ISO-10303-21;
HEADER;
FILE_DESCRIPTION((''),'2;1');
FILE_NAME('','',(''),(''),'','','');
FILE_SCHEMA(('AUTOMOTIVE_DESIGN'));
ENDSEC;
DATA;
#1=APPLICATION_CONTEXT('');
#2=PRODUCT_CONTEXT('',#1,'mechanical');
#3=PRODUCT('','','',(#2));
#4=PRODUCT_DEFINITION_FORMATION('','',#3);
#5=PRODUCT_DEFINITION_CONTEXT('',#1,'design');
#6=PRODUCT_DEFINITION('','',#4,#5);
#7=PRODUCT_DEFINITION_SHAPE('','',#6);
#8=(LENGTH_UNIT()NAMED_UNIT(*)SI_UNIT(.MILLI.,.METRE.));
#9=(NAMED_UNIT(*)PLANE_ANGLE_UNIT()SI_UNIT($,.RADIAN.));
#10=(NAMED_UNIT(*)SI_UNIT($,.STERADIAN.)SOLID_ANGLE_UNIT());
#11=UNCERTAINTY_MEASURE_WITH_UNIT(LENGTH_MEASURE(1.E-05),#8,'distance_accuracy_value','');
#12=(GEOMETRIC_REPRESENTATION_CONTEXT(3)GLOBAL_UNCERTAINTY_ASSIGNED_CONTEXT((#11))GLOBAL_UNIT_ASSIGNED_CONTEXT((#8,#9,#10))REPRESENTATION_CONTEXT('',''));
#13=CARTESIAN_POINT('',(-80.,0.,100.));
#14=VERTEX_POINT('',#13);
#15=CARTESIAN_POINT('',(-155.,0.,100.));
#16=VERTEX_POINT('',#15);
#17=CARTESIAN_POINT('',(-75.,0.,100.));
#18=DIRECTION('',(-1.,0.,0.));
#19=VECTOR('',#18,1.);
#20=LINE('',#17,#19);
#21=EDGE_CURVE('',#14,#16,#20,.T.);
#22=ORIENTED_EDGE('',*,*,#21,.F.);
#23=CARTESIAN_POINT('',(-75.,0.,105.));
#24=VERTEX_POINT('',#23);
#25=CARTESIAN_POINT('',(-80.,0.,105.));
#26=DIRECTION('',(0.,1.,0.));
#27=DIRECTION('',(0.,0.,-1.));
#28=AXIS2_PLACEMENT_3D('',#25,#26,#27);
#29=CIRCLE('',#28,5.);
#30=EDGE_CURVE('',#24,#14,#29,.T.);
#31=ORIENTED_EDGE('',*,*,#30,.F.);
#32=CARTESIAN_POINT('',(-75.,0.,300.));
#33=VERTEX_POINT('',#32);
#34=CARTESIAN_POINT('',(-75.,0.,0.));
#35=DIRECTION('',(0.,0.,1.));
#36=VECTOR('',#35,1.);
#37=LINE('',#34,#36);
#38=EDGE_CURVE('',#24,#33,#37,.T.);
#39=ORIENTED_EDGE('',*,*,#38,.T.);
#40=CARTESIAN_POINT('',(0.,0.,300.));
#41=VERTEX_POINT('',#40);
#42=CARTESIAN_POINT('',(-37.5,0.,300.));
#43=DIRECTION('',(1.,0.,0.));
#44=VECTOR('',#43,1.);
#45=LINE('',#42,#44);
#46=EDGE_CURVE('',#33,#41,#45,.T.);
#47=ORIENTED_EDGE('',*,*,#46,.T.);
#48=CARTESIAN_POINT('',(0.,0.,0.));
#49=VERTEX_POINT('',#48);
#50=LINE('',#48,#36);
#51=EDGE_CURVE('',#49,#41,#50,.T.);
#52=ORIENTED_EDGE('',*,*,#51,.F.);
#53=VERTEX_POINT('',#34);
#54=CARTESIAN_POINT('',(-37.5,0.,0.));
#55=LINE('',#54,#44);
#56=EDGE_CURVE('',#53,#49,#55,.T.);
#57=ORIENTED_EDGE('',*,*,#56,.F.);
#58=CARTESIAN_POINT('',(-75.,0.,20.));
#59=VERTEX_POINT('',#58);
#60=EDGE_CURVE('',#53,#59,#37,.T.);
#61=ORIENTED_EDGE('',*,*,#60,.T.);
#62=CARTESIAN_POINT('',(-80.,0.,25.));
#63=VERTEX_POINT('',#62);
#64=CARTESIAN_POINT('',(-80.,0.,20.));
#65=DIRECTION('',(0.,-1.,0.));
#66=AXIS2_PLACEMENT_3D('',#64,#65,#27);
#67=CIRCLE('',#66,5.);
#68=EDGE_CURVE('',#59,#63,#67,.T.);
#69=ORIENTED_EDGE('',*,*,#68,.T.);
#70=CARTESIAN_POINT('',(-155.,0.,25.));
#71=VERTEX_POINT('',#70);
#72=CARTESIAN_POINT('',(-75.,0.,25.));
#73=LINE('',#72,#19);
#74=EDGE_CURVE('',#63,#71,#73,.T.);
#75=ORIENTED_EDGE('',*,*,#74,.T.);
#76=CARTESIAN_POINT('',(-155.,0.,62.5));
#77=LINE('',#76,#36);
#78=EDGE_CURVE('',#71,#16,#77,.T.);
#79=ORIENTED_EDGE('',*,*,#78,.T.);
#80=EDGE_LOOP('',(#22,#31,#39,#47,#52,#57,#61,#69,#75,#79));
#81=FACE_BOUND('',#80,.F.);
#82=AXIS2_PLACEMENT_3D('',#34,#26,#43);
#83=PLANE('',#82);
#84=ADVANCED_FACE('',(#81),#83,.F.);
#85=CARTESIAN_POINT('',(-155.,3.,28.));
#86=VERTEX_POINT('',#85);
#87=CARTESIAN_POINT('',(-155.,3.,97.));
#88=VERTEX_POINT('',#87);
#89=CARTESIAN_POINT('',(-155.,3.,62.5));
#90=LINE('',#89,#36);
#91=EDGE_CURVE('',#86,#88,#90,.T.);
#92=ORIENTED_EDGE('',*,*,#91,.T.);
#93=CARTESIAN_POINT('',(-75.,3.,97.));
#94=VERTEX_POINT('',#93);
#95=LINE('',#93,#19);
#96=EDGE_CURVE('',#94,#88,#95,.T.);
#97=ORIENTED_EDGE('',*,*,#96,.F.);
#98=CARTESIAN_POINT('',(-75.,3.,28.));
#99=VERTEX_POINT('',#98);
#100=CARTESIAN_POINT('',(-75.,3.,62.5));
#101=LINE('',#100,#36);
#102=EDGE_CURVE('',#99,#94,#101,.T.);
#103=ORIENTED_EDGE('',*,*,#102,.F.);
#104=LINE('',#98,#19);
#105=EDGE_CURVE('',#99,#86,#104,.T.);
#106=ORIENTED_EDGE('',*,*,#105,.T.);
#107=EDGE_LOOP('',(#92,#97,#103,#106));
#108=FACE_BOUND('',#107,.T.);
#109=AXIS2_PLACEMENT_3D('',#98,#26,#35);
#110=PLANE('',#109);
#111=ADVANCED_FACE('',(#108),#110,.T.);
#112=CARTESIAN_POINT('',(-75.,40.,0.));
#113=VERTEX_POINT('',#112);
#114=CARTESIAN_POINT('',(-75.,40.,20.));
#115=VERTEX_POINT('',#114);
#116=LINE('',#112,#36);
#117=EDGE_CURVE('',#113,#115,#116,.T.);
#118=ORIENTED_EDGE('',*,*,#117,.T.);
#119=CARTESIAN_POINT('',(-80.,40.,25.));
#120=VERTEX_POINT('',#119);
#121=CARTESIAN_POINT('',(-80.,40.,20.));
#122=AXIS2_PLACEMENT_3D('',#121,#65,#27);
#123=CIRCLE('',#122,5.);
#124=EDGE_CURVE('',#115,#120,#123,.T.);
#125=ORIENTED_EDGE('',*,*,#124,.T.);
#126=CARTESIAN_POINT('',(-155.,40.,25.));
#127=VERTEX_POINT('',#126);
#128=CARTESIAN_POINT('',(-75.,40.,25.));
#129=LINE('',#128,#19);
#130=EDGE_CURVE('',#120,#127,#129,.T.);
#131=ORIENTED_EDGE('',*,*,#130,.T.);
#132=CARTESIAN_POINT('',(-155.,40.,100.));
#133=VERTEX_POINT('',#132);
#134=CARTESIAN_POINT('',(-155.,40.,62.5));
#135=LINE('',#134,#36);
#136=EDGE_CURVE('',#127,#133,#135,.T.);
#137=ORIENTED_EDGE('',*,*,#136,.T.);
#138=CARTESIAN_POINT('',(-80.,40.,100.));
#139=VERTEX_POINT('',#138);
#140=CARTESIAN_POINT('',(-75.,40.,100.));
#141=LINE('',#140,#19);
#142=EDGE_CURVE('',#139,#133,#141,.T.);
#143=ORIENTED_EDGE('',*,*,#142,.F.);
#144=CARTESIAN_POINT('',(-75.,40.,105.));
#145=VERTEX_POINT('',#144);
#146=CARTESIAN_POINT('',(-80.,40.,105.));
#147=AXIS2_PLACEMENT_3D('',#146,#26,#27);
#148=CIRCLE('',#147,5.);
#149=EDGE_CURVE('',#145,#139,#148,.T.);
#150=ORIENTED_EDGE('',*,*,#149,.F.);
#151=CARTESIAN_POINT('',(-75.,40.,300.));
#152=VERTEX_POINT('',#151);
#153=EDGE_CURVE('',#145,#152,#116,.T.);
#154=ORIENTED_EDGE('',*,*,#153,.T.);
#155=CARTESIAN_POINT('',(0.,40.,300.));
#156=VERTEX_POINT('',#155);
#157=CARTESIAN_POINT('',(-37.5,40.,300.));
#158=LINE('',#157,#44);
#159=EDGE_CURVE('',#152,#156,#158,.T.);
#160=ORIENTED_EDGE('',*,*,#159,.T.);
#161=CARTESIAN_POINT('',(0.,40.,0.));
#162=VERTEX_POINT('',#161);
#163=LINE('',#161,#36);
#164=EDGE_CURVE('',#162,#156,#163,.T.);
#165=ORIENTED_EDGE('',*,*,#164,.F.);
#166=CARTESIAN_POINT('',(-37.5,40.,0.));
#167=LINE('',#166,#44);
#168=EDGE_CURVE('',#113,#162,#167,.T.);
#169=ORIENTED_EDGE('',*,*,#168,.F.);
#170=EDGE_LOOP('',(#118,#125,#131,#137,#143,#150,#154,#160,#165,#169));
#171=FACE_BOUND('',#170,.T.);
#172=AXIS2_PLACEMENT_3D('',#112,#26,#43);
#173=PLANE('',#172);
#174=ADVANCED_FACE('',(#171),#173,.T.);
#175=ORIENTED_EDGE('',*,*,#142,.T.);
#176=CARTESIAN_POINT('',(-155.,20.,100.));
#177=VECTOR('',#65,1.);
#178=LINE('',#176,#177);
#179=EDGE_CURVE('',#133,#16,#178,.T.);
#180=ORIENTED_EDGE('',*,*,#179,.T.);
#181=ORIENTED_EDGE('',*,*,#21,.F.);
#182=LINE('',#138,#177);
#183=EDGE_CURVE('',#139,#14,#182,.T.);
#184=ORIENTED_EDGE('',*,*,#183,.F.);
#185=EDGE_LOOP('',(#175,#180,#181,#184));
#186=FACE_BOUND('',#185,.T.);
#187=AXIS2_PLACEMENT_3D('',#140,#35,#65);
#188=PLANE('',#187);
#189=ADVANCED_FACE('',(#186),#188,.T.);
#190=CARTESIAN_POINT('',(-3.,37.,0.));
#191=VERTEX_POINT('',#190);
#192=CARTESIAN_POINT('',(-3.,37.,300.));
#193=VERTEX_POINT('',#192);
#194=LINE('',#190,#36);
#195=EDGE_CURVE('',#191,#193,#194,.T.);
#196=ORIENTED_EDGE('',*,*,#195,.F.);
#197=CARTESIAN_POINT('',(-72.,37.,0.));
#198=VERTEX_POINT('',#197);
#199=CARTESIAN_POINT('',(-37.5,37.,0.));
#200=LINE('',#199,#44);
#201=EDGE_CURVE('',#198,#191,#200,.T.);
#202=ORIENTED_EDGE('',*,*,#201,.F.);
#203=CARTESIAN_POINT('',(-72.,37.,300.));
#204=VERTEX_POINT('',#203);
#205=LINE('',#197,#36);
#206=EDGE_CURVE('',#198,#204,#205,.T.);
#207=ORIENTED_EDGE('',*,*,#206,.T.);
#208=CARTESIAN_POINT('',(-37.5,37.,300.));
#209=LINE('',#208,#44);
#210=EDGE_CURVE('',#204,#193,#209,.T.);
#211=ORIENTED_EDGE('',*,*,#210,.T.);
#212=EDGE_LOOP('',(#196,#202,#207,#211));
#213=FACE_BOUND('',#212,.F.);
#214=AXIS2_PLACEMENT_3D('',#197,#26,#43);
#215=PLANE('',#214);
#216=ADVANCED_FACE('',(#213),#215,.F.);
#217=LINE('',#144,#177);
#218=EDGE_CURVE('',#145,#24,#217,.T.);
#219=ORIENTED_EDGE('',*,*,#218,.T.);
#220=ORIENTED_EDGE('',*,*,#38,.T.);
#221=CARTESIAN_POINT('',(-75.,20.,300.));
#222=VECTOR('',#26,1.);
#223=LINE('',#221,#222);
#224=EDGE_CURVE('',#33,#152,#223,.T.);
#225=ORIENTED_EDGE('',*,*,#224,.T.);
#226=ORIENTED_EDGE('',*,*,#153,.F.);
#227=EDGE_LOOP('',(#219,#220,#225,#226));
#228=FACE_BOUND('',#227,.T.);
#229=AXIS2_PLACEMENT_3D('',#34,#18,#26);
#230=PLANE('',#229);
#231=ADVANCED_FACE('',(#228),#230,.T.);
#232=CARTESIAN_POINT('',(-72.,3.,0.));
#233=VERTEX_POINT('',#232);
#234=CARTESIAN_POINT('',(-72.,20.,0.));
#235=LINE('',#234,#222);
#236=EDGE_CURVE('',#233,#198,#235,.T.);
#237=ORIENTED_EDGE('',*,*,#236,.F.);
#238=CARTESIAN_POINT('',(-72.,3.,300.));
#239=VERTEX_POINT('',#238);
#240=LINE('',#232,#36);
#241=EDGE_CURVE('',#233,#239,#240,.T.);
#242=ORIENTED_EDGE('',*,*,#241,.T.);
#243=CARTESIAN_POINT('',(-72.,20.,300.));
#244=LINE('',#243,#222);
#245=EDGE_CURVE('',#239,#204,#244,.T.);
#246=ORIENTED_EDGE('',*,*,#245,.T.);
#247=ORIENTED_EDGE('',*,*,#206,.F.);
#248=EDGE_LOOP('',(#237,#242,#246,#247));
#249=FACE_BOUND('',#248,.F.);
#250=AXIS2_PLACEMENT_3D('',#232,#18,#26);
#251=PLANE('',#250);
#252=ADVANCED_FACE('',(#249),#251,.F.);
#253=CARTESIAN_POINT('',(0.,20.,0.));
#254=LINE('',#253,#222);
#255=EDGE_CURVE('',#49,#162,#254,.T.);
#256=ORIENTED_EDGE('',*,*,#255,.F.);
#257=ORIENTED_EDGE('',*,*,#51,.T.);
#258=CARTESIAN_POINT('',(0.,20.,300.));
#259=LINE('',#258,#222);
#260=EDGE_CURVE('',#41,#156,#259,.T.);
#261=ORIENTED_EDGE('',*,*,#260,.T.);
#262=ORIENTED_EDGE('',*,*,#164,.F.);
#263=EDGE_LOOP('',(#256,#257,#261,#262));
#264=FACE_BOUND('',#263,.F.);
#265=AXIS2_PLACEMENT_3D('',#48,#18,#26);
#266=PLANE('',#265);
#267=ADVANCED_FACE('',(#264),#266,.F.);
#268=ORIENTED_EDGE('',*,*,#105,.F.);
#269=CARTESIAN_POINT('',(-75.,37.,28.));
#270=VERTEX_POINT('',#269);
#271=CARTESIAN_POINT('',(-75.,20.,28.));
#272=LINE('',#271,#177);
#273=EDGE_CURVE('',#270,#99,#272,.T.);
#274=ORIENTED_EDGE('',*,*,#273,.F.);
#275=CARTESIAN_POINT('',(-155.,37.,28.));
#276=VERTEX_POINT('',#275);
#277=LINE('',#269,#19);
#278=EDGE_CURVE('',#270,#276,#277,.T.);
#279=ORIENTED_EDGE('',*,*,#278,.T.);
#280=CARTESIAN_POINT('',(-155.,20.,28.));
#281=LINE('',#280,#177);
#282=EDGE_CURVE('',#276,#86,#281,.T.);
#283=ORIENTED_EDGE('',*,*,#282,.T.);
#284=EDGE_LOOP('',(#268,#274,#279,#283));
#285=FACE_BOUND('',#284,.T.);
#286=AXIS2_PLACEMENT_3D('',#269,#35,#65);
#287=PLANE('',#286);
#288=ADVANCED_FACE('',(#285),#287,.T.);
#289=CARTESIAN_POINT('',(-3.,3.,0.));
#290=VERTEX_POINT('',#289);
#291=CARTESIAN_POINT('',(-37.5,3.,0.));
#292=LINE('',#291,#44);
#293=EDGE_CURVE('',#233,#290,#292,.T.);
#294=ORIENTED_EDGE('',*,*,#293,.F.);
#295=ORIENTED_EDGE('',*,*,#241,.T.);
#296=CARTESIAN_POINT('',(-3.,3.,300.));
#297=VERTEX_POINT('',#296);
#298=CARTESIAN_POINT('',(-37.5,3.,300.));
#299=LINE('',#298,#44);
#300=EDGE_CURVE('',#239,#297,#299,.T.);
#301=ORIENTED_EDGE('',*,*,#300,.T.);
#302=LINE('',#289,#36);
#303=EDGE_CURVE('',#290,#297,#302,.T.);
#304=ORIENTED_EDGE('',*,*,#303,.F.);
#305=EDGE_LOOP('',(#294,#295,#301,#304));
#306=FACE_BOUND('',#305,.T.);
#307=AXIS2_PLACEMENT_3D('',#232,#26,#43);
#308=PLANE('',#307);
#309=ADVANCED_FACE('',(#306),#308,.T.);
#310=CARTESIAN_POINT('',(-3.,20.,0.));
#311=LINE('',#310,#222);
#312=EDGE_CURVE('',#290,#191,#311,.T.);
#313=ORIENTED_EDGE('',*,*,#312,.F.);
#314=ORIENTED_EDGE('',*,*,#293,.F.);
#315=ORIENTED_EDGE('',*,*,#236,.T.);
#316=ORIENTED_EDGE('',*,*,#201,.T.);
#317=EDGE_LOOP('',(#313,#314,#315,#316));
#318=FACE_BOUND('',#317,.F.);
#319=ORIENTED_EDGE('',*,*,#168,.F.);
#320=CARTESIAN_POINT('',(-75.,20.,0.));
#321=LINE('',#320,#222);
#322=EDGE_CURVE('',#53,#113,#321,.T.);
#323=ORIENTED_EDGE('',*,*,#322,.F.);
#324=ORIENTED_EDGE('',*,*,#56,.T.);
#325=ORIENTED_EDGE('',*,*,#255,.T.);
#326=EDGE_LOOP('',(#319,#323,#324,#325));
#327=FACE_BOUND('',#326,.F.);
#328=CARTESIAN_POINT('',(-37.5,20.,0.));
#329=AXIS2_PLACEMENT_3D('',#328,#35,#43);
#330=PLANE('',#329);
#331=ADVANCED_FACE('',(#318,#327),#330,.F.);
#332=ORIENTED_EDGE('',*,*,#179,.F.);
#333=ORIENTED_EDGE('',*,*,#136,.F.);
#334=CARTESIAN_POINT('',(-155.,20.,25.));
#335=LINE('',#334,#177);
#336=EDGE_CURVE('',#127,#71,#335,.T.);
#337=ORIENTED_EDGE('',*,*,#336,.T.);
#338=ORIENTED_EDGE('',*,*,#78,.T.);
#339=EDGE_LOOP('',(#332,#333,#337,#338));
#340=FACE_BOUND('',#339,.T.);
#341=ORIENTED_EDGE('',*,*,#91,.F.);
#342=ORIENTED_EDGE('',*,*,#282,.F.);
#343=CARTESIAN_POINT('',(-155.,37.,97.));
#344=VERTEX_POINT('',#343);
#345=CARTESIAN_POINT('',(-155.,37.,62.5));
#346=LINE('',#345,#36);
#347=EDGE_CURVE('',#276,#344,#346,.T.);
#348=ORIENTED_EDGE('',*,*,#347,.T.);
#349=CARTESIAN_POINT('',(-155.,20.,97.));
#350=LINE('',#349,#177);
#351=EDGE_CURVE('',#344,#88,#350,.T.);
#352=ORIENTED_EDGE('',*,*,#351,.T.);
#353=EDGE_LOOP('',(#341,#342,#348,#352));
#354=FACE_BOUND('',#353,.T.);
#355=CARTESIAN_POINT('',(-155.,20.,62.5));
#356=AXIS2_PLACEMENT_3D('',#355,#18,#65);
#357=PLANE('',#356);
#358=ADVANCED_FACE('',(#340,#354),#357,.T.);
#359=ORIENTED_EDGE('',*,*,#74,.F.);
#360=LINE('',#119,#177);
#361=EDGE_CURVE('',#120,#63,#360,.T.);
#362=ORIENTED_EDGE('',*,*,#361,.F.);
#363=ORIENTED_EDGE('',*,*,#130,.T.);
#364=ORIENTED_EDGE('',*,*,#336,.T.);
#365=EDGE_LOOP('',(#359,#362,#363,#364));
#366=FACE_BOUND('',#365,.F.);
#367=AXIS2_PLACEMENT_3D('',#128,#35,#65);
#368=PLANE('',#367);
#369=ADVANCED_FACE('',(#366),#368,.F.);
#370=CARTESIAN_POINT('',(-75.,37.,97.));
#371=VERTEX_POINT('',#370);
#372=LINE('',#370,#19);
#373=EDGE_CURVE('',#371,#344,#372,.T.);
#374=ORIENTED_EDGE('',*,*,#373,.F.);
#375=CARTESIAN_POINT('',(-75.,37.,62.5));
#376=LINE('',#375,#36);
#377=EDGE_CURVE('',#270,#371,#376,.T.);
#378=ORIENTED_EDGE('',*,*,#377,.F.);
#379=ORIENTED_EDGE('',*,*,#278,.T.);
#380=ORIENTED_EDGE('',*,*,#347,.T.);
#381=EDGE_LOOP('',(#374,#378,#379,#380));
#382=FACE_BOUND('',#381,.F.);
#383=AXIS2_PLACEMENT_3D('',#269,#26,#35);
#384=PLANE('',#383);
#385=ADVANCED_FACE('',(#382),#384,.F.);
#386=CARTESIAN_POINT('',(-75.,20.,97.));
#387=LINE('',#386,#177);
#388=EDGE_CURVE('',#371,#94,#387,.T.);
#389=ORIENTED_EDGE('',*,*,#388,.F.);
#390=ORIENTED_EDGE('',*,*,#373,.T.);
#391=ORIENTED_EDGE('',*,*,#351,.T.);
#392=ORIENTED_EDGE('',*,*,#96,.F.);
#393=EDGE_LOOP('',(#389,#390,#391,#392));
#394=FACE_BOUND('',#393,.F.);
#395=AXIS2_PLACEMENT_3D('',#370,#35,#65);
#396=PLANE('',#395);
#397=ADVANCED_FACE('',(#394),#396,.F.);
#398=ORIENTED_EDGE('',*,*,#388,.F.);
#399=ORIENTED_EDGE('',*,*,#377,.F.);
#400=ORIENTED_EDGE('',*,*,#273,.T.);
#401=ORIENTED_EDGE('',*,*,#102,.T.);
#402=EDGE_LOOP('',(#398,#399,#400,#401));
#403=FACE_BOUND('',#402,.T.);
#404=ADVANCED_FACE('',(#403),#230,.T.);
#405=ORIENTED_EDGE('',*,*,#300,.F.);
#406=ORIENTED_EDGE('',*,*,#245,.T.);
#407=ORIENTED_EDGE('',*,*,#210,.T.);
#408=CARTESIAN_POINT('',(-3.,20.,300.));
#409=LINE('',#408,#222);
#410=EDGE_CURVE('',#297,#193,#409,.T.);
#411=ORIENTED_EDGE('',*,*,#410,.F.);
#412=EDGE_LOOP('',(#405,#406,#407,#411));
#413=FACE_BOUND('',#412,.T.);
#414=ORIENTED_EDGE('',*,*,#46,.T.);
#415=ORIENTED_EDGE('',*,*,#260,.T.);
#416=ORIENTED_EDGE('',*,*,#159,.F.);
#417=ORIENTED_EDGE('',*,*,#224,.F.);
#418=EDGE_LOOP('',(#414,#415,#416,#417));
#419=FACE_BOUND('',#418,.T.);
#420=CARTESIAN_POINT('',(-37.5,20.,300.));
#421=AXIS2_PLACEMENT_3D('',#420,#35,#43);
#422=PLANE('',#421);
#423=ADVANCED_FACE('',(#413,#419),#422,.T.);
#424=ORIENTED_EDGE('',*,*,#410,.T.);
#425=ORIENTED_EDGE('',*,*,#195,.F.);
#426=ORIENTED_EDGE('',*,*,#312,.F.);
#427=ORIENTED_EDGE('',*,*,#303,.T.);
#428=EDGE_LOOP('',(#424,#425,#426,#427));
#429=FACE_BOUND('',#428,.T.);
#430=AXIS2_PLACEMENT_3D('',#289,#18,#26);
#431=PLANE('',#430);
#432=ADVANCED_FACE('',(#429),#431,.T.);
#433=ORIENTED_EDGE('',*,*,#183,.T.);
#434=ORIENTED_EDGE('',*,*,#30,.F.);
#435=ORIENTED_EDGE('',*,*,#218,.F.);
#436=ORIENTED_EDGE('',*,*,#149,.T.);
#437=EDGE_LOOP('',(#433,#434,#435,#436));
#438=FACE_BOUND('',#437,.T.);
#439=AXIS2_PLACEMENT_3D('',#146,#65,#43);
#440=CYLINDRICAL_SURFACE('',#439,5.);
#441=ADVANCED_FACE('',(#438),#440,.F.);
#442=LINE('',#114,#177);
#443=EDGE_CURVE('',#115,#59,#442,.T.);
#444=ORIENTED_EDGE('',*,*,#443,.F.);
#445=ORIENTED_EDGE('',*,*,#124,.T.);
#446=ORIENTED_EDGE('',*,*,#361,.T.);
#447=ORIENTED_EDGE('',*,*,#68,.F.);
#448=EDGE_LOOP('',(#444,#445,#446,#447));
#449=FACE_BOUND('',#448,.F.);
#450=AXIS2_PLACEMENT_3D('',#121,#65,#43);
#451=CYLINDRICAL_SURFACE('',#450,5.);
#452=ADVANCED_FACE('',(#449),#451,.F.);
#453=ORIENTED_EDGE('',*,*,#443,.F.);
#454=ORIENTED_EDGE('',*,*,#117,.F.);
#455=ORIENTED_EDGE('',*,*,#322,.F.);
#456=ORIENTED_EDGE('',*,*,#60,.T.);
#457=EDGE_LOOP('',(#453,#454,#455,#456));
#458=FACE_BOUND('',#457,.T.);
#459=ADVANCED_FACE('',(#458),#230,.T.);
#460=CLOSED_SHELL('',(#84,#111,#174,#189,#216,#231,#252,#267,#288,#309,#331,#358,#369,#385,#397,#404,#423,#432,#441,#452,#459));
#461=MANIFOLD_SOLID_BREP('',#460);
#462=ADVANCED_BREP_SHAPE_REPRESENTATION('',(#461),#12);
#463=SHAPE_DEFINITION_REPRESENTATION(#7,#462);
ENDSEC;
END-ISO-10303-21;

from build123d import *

# Parameters (mm, degrees)
F0_W     = 75
F0_H     = 40
F0_W_2   = 69
F0_H_2   = 34
F1_DEPTH = 300
F2_W     = 40
F2_H     = 75
F2_W_2   = 34
F2_H_2   = 69
F3_DEPTH = 80
F4_R     = 5


with BuildPart() as f1:
    # F0 (on Top) → F1 (new body)
    with BuildSketch(Plane.XY):
        with Locations((-37.5, 20)):
            Rectangle(F0_W, F0_H)
        with Locations((-37.5, 20)):
            Rectangle(F0_W_2, F0_H_2, mode=Mode.SUBTRACT)
    extrude(amount=F1_DEPTH)

    # F2 (on face) → F3 (join)
    with BuildSketch(Plane(origin=(-75, 0, 0), x_dir=(0, -1, 0), z_dir=(-1, 0, 0))):
        with Locations((-20, 62.5)):
            Rectangle(F2_W, F2_H)
        with Locations((-20, 62.5)):
            Rectangle(F2_W_2, F2_H_2, mode=Mode.SUBTRACT)
    extrude(amount=F3_DEPTH)

    # F4
    f4_edges = [f1.edges().sort_by_distance(p)[0] for p in [
        (-75, 20, 100),
        (-75, 20, 25),
    ]]
    fillet(f4_edges, radius=F4_R)


solid = f1.part
